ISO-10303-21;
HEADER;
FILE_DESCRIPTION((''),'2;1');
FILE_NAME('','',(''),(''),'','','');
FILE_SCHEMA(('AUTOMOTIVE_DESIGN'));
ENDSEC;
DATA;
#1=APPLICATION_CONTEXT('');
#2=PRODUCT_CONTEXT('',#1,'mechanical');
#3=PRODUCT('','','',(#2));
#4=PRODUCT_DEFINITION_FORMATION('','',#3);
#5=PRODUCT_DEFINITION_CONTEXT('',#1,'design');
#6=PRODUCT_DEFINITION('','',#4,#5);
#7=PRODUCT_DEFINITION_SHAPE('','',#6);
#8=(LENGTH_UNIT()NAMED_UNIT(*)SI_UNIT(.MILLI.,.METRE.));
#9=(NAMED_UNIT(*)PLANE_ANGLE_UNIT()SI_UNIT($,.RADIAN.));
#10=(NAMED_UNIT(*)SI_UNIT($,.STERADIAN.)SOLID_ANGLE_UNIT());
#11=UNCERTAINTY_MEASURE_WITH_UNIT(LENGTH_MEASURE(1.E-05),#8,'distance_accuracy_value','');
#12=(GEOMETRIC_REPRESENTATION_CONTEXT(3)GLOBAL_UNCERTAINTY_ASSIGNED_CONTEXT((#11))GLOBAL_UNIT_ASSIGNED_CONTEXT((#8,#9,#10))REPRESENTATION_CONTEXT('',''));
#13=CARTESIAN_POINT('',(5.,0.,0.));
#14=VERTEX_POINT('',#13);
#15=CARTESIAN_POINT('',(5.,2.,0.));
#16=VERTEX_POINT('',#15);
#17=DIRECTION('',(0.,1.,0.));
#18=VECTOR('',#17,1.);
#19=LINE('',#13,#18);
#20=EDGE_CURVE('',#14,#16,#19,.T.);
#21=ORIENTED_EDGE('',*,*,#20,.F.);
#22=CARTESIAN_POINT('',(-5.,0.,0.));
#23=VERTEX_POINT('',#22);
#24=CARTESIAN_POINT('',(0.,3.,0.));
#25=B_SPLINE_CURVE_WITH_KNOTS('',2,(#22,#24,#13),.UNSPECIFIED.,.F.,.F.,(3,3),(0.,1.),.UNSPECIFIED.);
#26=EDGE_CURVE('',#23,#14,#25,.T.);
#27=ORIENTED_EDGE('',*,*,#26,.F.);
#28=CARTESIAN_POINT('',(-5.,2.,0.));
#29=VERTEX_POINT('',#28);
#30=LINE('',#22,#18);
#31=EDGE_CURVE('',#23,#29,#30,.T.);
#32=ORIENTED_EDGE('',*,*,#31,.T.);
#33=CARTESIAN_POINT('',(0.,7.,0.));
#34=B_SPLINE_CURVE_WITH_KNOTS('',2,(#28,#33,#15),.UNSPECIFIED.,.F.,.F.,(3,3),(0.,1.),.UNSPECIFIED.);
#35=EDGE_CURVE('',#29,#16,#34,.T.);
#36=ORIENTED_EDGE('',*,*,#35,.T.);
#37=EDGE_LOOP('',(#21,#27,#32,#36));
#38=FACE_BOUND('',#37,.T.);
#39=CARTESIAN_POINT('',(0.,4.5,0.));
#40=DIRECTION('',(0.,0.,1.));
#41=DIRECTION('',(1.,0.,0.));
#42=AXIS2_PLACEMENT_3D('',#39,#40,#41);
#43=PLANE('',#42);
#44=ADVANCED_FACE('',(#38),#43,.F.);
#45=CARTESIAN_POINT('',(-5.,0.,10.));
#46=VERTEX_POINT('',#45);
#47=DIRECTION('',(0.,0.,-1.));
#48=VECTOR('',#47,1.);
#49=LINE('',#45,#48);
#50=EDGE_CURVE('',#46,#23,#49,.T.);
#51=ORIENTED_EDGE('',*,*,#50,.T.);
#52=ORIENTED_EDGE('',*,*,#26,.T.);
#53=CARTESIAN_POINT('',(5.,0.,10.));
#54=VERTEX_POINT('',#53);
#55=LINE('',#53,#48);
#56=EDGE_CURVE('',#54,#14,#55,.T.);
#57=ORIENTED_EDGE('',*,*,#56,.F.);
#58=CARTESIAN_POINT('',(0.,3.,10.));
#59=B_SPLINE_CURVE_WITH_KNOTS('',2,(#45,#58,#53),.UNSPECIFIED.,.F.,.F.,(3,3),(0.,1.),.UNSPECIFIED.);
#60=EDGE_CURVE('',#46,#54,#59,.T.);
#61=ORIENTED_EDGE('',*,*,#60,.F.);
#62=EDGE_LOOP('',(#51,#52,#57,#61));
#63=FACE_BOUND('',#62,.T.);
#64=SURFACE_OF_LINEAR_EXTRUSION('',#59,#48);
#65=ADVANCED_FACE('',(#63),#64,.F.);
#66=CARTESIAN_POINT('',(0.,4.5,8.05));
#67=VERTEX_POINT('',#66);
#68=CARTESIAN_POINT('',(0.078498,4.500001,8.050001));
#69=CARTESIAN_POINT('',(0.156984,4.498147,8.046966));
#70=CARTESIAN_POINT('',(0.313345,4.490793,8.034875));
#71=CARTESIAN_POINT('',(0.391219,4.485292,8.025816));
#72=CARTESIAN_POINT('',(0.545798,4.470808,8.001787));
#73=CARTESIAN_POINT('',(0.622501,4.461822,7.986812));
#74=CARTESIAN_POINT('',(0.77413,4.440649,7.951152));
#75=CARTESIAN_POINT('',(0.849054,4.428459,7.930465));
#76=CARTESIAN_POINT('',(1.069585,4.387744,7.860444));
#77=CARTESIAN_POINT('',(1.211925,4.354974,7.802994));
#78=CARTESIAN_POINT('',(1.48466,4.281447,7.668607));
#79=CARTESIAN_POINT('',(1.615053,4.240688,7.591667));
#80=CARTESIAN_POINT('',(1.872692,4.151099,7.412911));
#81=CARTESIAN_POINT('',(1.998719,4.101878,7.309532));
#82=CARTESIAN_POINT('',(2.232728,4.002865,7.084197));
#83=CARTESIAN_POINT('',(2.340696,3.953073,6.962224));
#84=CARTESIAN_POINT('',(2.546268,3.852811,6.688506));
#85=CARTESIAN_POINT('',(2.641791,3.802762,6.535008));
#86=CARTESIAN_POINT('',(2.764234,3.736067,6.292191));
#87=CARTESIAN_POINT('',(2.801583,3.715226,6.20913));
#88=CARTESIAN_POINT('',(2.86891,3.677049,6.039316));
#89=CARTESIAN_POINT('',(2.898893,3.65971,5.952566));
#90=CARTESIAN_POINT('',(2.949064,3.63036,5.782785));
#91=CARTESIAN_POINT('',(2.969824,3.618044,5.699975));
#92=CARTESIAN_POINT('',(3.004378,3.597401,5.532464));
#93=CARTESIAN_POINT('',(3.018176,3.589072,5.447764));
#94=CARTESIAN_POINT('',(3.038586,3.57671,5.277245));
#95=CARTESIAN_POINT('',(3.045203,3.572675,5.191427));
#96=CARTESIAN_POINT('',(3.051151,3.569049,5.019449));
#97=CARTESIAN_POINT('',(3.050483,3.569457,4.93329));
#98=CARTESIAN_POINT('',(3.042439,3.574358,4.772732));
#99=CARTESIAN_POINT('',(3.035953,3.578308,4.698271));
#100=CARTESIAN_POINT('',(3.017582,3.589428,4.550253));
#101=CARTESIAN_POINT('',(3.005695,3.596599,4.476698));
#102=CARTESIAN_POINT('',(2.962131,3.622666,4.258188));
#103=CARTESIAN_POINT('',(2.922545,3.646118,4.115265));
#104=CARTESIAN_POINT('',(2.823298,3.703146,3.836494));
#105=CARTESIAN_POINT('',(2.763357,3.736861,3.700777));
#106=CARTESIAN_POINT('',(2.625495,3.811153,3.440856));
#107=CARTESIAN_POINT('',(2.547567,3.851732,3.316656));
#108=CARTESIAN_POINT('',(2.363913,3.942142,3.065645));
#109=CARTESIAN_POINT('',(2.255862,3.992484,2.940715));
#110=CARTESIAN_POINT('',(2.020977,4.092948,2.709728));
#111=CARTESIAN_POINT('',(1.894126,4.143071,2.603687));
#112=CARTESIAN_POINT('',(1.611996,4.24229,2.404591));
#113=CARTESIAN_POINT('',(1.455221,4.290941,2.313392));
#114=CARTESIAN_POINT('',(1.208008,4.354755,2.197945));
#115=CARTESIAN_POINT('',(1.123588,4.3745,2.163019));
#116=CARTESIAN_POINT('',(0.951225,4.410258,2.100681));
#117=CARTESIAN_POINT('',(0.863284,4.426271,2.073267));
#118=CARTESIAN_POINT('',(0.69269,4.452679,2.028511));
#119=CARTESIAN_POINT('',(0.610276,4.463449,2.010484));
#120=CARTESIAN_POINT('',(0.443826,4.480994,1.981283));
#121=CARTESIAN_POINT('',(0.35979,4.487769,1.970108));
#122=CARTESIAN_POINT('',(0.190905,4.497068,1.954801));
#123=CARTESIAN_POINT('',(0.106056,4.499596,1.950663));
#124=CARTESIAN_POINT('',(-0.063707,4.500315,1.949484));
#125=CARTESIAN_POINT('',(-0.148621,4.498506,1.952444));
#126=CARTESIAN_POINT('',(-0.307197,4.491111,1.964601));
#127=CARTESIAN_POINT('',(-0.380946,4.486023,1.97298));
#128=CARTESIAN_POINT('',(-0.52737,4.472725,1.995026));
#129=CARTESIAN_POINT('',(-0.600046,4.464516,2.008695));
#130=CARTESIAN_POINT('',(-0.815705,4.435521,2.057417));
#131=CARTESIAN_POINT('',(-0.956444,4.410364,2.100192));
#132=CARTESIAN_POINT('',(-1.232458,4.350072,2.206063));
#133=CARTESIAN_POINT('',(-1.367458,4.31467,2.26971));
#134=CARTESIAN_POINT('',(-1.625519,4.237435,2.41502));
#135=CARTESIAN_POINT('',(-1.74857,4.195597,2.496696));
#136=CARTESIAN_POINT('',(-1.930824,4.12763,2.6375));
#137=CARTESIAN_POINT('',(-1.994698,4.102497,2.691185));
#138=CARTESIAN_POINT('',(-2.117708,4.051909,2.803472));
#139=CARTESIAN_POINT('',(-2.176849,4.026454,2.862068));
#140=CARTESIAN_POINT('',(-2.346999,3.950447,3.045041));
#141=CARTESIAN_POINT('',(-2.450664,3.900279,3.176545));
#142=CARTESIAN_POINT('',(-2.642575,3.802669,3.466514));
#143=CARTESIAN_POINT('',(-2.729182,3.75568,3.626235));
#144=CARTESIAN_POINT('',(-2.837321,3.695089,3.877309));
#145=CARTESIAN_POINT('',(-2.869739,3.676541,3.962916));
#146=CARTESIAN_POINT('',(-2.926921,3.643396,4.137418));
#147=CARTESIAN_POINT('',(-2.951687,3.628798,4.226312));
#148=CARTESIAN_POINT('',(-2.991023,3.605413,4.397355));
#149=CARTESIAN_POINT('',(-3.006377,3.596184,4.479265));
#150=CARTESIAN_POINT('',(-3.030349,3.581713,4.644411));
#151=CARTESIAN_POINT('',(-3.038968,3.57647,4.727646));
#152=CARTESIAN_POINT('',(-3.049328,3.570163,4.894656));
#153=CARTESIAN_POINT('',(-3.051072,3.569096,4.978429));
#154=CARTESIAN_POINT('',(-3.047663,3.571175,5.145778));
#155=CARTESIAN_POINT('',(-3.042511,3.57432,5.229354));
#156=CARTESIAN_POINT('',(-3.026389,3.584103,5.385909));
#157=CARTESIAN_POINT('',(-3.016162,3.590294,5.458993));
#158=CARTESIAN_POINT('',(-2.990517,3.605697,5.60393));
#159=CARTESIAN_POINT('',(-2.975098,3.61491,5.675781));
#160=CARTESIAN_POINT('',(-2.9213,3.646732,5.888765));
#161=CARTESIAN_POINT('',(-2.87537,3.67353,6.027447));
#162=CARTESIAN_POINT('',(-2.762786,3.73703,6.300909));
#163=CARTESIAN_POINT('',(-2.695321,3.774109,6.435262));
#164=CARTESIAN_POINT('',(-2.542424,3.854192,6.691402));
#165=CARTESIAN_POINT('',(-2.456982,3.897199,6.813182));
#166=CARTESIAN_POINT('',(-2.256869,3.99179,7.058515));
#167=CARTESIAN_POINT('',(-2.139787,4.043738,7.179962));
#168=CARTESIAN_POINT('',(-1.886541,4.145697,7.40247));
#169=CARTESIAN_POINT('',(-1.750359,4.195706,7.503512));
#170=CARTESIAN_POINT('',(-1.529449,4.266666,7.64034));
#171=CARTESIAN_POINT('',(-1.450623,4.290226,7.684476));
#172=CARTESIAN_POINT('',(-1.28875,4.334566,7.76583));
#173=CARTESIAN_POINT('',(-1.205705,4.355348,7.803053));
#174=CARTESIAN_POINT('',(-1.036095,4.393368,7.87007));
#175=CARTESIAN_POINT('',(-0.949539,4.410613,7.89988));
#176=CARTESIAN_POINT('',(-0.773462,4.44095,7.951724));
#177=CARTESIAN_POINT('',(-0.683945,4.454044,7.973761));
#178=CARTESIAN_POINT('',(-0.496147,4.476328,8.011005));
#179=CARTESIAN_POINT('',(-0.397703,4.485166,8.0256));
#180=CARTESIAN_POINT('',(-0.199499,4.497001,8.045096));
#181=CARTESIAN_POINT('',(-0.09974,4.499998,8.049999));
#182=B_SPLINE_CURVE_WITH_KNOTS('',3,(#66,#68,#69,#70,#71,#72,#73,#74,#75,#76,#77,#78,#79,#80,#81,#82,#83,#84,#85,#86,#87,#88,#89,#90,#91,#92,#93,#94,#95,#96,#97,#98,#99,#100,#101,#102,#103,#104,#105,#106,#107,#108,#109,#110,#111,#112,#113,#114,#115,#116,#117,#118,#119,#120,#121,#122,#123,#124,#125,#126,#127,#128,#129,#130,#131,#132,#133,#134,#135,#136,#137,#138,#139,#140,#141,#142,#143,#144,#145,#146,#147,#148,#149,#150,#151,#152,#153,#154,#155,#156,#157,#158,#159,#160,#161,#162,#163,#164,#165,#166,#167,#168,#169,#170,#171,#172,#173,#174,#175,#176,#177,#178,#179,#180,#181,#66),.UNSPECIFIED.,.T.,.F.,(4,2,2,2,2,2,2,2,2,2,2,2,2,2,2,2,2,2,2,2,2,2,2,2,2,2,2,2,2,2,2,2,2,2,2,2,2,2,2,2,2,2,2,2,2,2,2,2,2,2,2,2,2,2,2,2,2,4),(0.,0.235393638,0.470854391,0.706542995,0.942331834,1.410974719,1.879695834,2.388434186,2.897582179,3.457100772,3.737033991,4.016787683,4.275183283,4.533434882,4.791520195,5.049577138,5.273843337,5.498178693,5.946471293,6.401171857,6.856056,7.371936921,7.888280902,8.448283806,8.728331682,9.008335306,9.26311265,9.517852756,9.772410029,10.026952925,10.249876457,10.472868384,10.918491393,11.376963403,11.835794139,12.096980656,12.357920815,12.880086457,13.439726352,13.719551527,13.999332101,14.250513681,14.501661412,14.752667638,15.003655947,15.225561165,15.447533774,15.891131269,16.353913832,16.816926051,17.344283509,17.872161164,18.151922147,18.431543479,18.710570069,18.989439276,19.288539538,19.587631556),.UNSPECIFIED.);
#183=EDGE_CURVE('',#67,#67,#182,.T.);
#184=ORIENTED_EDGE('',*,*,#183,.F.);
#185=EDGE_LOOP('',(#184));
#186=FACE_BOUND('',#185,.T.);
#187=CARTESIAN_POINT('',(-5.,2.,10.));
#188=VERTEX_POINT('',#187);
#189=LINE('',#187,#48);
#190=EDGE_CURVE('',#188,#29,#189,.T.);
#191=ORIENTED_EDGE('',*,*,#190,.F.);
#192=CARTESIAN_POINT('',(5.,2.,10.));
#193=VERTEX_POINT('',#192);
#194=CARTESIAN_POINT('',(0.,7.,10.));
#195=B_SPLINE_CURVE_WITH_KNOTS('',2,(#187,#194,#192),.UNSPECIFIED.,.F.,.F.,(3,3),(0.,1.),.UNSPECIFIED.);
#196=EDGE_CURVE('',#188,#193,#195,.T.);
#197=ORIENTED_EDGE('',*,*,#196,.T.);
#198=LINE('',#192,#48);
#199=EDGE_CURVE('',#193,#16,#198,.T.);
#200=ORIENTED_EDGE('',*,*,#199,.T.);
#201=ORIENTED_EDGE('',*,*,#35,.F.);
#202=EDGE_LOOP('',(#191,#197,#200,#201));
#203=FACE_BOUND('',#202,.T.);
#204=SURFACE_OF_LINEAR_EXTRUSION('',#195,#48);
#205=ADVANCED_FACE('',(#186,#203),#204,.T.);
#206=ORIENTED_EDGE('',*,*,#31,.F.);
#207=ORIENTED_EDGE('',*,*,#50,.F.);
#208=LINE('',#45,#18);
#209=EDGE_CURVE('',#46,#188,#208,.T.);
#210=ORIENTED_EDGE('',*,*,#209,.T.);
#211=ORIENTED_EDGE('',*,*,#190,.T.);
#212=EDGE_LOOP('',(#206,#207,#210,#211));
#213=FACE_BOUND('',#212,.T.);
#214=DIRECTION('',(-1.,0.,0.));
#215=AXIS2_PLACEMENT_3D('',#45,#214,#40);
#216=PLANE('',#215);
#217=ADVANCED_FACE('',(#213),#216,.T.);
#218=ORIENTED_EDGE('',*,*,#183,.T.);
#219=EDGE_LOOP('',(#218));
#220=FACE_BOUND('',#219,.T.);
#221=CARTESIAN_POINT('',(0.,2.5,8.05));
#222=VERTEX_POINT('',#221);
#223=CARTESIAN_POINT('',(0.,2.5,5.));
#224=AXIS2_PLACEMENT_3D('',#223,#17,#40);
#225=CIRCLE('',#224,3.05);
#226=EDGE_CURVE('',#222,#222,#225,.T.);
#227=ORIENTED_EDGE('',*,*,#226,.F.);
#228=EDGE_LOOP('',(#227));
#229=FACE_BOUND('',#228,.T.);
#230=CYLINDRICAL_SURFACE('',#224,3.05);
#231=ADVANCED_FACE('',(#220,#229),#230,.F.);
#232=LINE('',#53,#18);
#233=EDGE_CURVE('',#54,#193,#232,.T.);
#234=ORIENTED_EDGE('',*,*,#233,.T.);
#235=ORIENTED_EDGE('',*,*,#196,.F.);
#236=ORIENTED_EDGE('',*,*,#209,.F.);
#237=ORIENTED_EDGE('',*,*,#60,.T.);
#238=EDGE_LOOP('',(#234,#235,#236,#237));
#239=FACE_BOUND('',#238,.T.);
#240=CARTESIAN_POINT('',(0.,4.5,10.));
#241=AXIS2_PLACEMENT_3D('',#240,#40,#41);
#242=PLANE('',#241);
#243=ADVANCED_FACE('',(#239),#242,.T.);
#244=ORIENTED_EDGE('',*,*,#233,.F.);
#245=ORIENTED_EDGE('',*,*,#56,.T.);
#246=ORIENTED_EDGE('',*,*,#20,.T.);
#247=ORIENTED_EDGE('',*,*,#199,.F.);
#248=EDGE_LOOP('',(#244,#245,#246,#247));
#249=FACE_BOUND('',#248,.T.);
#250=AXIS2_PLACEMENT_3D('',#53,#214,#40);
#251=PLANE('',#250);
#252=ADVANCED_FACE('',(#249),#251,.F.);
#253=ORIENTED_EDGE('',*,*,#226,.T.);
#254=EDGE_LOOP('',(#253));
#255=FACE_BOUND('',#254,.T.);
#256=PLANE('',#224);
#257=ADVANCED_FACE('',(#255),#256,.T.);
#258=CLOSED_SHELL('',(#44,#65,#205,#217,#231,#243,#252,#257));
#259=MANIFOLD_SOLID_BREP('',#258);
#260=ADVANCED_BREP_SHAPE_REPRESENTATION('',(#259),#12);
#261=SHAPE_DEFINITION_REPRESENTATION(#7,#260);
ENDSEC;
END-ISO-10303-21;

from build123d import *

# Parameters (mm, degrees)
BOSS_EXTRUDE1_DEPTH = 10
CUT_EXTRUDE1_START  = 4.5
SKETCH3_R           = 3.05
CUT_EXTRUDE1_DEPTH  = 2


with BuildPart() as part:
    # Sketch1 → Boss-Extrude1 (new body)
    with BuildSketch(Plane.XY):
        with BuildLine():
            Line((-5, 0), (-5, 2))
            add(Edge.make_bspline(
                [(-5, 2), (0, 7), (5, 2)],
                knots=[0, 0, 0, 1, 1, 1], degree=2))
            Line((5, 2), (5, 0))
            add(Edge.make_bspline(
                [(-5, 0), (0, 3), (5, 0)],
                knots=[0, 0, 0, 1, 1, 1], degree=2))
        make_face()
    extrude(amount=BOSS_EXTRUDE1_DEPTH)

    # Sketch3 → Cut-Extrude1 (cut)
    with BuildSketch(Plane(origin=(0, 0, 0), x_dir=(1, 0, 0), z_dir=(0, 1, 0)).offset(CUT_EXTRUDE1_START)):
        with Locations((0, -5)):
            Circle(SKETCH3_R)
    extrude(amount=-CUT_EXTRUDE1_DEPTH, mode=Mode.SUBTRACT)


solid = part.part
